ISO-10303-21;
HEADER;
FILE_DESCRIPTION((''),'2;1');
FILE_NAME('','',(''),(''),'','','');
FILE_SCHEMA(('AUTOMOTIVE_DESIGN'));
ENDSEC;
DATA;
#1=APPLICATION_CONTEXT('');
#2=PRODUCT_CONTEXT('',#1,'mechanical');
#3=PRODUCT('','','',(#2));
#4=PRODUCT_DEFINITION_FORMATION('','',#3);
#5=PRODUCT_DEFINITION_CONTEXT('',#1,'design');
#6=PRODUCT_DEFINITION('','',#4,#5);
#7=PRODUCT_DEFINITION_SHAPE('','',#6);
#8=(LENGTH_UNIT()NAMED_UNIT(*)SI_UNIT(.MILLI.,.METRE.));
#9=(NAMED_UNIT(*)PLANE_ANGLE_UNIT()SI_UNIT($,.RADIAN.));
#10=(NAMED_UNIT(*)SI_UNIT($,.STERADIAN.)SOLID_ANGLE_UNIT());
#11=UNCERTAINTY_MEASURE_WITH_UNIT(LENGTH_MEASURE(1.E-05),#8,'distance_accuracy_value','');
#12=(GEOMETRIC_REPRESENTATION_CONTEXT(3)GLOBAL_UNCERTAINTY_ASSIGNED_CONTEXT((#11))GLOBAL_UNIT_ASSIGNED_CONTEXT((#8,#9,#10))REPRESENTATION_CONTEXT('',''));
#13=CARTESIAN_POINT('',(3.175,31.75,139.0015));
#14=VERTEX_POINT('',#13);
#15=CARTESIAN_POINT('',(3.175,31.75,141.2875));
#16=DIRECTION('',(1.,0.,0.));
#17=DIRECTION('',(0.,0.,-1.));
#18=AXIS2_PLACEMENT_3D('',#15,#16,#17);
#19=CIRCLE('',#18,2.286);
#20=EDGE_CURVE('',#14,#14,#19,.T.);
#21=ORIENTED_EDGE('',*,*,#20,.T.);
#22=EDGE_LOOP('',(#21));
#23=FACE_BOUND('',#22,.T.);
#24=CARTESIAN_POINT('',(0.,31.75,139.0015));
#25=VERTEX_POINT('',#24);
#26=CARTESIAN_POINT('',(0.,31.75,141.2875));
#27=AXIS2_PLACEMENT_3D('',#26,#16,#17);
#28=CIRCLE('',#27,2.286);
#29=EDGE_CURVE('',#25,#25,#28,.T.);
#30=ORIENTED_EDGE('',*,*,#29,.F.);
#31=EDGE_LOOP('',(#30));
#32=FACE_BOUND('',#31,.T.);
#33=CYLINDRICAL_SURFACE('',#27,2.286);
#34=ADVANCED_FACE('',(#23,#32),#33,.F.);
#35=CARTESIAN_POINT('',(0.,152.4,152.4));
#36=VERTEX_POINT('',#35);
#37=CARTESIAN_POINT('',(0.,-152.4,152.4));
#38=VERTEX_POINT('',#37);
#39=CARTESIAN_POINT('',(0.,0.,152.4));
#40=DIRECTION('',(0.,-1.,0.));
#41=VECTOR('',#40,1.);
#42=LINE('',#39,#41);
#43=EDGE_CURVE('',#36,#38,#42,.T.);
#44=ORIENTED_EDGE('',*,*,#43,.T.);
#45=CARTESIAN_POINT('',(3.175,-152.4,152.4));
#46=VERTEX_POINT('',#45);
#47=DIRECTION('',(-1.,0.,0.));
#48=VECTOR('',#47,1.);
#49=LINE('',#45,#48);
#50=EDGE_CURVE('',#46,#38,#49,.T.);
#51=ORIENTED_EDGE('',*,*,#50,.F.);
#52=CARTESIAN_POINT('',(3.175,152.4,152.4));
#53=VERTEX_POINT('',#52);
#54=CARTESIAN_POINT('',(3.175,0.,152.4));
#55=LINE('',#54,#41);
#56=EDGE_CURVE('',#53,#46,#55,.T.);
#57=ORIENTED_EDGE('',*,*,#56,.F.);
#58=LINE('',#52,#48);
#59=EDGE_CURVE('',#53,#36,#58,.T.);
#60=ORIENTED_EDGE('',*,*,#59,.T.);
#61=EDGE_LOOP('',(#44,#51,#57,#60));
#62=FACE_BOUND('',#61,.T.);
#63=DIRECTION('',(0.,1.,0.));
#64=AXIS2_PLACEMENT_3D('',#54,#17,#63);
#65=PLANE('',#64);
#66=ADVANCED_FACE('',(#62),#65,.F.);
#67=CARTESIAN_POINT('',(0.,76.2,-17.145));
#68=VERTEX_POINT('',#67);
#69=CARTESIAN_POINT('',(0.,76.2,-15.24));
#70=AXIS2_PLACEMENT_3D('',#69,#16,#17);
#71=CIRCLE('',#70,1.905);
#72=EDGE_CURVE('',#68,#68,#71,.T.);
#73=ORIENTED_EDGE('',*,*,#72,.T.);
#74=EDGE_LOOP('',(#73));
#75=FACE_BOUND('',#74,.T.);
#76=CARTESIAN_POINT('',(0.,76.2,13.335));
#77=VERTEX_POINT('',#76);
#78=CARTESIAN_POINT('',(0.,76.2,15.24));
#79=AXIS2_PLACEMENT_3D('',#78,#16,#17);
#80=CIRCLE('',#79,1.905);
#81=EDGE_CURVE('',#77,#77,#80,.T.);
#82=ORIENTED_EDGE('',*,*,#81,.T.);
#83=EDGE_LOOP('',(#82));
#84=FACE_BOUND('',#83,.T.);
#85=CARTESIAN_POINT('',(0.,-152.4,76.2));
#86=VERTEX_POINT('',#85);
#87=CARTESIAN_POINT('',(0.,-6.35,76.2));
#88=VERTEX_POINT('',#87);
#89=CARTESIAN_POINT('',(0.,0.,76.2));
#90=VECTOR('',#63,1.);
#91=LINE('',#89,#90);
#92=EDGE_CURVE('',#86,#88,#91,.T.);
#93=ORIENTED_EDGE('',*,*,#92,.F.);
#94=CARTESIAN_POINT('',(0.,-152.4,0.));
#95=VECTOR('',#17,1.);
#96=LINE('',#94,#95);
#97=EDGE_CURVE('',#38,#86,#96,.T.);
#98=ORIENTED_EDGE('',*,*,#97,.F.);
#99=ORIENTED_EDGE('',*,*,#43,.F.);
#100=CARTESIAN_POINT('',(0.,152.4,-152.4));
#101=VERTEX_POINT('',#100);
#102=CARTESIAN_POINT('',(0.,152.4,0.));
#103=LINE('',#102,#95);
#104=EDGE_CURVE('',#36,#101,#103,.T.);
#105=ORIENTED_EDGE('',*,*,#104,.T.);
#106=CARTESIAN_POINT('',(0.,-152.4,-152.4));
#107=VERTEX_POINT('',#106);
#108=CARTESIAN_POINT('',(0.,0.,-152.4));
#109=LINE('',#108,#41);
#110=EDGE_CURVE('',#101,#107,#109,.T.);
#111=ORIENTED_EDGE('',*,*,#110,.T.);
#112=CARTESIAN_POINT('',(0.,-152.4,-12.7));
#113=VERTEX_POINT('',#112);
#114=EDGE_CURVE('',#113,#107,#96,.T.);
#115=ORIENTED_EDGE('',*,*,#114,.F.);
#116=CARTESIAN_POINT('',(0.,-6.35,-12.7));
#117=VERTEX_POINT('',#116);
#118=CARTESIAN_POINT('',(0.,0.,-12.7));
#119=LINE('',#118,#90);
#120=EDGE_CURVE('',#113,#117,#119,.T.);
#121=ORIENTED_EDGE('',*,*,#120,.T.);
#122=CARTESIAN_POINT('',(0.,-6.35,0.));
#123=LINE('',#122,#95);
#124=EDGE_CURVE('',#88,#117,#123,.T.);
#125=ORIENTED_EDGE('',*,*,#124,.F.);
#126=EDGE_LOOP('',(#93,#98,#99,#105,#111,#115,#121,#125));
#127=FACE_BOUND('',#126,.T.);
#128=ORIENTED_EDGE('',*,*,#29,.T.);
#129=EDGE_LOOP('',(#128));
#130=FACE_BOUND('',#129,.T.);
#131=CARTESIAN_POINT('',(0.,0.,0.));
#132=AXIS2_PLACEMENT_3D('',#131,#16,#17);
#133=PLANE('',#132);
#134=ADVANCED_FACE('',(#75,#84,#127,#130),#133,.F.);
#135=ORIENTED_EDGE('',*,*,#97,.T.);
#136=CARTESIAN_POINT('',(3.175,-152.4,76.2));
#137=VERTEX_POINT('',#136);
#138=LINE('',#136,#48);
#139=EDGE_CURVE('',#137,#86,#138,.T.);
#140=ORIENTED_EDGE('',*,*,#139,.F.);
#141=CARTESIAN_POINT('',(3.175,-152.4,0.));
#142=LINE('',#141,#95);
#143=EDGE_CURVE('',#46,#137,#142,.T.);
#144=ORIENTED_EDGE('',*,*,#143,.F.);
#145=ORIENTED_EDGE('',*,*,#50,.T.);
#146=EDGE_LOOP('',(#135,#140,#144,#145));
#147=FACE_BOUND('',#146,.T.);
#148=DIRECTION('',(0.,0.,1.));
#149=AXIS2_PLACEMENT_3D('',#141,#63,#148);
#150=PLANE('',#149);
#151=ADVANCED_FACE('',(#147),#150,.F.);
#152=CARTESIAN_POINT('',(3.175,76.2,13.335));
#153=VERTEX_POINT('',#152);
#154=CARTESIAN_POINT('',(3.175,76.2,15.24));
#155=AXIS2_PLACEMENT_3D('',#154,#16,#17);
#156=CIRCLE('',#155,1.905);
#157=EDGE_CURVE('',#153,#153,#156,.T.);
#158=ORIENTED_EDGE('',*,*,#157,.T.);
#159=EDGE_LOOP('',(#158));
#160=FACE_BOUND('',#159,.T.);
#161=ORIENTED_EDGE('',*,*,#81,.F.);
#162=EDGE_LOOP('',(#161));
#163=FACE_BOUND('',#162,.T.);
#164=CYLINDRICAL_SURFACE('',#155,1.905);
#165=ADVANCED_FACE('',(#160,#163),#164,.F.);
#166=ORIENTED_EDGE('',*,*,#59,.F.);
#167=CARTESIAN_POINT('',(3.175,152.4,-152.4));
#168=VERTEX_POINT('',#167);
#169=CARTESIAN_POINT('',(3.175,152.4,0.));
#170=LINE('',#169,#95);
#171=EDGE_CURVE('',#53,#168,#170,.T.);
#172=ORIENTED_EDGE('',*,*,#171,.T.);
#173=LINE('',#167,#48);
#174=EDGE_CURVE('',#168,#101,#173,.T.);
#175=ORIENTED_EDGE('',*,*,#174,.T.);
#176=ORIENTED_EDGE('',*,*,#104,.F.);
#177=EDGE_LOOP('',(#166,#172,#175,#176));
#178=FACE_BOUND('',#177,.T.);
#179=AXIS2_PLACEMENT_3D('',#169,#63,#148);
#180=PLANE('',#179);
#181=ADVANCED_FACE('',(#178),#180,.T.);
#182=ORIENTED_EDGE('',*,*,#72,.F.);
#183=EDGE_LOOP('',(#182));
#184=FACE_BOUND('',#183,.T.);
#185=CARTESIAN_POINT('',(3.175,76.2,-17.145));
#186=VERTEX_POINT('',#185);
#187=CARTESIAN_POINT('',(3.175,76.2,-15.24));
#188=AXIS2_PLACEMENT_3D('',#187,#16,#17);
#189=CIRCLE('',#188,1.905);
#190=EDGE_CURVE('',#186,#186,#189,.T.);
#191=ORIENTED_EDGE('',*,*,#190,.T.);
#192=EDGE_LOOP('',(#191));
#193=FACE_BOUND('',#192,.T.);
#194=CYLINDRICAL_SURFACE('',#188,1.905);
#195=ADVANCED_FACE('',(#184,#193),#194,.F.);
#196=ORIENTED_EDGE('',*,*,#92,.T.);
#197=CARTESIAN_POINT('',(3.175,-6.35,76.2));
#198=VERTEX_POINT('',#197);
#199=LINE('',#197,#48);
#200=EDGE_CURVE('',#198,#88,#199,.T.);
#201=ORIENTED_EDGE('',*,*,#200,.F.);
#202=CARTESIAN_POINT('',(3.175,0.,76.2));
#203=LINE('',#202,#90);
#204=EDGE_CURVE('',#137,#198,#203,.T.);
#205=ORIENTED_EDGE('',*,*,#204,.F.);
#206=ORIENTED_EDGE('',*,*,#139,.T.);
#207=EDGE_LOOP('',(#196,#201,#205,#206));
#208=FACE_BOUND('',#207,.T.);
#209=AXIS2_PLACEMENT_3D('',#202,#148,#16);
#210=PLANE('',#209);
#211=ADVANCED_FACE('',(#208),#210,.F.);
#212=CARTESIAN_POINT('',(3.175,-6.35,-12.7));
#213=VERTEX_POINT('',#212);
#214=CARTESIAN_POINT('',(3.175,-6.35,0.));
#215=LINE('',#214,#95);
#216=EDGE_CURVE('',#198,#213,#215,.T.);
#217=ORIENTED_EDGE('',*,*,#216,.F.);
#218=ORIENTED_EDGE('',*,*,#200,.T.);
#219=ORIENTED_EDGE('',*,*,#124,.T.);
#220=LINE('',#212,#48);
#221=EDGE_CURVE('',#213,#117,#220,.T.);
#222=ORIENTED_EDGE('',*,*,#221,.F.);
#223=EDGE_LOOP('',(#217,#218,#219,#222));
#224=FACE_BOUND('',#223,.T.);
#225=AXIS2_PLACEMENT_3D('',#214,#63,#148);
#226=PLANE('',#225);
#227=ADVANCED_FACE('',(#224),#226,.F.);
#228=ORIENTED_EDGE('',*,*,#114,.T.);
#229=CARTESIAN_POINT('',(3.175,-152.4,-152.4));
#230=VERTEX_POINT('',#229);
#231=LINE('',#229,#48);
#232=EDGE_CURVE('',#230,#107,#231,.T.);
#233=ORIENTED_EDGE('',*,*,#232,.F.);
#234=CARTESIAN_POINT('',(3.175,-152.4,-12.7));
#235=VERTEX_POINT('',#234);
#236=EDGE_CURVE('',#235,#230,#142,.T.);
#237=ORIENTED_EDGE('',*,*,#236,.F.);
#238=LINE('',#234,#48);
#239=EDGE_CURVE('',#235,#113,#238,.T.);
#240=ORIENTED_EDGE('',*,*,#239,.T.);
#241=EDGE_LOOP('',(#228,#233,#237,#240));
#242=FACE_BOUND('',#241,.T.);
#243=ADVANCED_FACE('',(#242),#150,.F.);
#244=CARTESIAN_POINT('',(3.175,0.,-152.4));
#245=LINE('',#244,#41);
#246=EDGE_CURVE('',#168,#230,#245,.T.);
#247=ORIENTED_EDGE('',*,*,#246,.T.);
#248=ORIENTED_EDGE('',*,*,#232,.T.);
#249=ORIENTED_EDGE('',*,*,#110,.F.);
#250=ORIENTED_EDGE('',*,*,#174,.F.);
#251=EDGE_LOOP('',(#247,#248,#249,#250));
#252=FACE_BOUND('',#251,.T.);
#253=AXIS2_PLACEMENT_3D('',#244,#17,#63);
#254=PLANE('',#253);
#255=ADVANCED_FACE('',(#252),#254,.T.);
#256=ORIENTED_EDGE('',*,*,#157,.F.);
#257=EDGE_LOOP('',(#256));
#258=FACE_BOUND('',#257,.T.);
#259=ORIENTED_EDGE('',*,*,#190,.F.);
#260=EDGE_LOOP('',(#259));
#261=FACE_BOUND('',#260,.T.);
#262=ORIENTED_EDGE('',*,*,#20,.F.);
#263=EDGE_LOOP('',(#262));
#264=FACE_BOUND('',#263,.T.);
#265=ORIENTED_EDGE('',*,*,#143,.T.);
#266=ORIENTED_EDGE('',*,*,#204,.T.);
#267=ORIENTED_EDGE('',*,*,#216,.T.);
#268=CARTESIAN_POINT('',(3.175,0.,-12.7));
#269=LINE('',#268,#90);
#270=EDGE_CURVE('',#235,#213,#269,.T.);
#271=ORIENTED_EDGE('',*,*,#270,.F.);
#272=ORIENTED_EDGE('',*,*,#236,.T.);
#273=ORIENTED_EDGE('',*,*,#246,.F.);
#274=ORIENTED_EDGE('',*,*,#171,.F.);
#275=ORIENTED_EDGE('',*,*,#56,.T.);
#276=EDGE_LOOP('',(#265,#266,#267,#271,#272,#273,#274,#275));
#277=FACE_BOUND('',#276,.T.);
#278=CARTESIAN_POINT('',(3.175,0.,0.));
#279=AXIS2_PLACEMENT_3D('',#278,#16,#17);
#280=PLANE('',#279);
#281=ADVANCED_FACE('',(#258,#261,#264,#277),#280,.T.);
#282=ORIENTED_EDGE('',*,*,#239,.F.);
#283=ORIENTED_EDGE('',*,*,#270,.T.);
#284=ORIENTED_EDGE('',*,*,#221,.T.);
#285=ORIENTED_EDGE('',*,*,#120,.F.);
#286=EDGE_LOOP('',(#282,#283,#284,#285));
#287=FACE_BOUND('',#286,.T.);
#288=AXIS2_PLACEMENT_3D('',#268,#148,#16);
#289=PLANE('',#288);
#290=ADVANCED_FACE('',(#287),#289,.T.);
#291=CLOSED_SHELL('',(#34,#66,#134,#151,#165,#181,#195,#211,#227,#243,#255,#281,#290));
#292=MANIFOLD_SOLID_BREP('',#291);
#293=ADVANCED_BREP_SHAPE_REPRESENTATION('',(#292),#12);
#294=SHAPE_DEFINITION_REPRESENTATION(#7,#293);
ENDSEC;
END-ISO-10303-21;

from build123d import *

# Parameters (mm, degrees)
BOSS_EXTRUDE1_DEPTH       = 3.175
SKETCH2_R                 = 2.286
CUT_EXTRUDE1_DEPTH        = 216.549531721
F_6_0_15_DIAMETER_HOLE1_D = 3.81


with BuildPart() as part:
    # Sketch1 → Boss-Extrude1 (new body)
    with BuildSketch(Plane(origin=(0, 0, 0), x_dir=(0, 0, -1), z_dir=(1, 0, 0))):
        Polygon((152.4, 152.4), (-152.4, 152.4), (-152.4, -152.4), (-76.2, -152.4), (-76.2, -6.35), (12.7, -6.35), (12.7, -152.4), (152.4, -152.4), align=None)
    extrude(amount=BOSS_EXTRUDE1_DEPTH)

    # Sketch2 → Cut-Extrude1 (cut, through all)
    with BuildSketch(Plane(origin=(3.175, 0, 0), x_dir=(0, 0, -1), z_dir=(1, 0, 0))):
        with Locations((-141.2875, 31.75)):
            Circle(SKETCH2_R)
    extrude(amount=-CUT_EXTRUDE1_DEPTH, mode=Mode.SUBTRACT)

    # #6 (0.15) Diameter Hole1 (through all)
    with Locations(Plane(origin=(3.175, 0, 0), x_dir=(0, 0, -1), z_dir=(1, 0, 0))):
        with Locations((-15.24, 76.2), (15.24, 76.2)):
            Hole(F_6_0_15_DIAMETER_HOLE1_D / 2)


solid = part.part
